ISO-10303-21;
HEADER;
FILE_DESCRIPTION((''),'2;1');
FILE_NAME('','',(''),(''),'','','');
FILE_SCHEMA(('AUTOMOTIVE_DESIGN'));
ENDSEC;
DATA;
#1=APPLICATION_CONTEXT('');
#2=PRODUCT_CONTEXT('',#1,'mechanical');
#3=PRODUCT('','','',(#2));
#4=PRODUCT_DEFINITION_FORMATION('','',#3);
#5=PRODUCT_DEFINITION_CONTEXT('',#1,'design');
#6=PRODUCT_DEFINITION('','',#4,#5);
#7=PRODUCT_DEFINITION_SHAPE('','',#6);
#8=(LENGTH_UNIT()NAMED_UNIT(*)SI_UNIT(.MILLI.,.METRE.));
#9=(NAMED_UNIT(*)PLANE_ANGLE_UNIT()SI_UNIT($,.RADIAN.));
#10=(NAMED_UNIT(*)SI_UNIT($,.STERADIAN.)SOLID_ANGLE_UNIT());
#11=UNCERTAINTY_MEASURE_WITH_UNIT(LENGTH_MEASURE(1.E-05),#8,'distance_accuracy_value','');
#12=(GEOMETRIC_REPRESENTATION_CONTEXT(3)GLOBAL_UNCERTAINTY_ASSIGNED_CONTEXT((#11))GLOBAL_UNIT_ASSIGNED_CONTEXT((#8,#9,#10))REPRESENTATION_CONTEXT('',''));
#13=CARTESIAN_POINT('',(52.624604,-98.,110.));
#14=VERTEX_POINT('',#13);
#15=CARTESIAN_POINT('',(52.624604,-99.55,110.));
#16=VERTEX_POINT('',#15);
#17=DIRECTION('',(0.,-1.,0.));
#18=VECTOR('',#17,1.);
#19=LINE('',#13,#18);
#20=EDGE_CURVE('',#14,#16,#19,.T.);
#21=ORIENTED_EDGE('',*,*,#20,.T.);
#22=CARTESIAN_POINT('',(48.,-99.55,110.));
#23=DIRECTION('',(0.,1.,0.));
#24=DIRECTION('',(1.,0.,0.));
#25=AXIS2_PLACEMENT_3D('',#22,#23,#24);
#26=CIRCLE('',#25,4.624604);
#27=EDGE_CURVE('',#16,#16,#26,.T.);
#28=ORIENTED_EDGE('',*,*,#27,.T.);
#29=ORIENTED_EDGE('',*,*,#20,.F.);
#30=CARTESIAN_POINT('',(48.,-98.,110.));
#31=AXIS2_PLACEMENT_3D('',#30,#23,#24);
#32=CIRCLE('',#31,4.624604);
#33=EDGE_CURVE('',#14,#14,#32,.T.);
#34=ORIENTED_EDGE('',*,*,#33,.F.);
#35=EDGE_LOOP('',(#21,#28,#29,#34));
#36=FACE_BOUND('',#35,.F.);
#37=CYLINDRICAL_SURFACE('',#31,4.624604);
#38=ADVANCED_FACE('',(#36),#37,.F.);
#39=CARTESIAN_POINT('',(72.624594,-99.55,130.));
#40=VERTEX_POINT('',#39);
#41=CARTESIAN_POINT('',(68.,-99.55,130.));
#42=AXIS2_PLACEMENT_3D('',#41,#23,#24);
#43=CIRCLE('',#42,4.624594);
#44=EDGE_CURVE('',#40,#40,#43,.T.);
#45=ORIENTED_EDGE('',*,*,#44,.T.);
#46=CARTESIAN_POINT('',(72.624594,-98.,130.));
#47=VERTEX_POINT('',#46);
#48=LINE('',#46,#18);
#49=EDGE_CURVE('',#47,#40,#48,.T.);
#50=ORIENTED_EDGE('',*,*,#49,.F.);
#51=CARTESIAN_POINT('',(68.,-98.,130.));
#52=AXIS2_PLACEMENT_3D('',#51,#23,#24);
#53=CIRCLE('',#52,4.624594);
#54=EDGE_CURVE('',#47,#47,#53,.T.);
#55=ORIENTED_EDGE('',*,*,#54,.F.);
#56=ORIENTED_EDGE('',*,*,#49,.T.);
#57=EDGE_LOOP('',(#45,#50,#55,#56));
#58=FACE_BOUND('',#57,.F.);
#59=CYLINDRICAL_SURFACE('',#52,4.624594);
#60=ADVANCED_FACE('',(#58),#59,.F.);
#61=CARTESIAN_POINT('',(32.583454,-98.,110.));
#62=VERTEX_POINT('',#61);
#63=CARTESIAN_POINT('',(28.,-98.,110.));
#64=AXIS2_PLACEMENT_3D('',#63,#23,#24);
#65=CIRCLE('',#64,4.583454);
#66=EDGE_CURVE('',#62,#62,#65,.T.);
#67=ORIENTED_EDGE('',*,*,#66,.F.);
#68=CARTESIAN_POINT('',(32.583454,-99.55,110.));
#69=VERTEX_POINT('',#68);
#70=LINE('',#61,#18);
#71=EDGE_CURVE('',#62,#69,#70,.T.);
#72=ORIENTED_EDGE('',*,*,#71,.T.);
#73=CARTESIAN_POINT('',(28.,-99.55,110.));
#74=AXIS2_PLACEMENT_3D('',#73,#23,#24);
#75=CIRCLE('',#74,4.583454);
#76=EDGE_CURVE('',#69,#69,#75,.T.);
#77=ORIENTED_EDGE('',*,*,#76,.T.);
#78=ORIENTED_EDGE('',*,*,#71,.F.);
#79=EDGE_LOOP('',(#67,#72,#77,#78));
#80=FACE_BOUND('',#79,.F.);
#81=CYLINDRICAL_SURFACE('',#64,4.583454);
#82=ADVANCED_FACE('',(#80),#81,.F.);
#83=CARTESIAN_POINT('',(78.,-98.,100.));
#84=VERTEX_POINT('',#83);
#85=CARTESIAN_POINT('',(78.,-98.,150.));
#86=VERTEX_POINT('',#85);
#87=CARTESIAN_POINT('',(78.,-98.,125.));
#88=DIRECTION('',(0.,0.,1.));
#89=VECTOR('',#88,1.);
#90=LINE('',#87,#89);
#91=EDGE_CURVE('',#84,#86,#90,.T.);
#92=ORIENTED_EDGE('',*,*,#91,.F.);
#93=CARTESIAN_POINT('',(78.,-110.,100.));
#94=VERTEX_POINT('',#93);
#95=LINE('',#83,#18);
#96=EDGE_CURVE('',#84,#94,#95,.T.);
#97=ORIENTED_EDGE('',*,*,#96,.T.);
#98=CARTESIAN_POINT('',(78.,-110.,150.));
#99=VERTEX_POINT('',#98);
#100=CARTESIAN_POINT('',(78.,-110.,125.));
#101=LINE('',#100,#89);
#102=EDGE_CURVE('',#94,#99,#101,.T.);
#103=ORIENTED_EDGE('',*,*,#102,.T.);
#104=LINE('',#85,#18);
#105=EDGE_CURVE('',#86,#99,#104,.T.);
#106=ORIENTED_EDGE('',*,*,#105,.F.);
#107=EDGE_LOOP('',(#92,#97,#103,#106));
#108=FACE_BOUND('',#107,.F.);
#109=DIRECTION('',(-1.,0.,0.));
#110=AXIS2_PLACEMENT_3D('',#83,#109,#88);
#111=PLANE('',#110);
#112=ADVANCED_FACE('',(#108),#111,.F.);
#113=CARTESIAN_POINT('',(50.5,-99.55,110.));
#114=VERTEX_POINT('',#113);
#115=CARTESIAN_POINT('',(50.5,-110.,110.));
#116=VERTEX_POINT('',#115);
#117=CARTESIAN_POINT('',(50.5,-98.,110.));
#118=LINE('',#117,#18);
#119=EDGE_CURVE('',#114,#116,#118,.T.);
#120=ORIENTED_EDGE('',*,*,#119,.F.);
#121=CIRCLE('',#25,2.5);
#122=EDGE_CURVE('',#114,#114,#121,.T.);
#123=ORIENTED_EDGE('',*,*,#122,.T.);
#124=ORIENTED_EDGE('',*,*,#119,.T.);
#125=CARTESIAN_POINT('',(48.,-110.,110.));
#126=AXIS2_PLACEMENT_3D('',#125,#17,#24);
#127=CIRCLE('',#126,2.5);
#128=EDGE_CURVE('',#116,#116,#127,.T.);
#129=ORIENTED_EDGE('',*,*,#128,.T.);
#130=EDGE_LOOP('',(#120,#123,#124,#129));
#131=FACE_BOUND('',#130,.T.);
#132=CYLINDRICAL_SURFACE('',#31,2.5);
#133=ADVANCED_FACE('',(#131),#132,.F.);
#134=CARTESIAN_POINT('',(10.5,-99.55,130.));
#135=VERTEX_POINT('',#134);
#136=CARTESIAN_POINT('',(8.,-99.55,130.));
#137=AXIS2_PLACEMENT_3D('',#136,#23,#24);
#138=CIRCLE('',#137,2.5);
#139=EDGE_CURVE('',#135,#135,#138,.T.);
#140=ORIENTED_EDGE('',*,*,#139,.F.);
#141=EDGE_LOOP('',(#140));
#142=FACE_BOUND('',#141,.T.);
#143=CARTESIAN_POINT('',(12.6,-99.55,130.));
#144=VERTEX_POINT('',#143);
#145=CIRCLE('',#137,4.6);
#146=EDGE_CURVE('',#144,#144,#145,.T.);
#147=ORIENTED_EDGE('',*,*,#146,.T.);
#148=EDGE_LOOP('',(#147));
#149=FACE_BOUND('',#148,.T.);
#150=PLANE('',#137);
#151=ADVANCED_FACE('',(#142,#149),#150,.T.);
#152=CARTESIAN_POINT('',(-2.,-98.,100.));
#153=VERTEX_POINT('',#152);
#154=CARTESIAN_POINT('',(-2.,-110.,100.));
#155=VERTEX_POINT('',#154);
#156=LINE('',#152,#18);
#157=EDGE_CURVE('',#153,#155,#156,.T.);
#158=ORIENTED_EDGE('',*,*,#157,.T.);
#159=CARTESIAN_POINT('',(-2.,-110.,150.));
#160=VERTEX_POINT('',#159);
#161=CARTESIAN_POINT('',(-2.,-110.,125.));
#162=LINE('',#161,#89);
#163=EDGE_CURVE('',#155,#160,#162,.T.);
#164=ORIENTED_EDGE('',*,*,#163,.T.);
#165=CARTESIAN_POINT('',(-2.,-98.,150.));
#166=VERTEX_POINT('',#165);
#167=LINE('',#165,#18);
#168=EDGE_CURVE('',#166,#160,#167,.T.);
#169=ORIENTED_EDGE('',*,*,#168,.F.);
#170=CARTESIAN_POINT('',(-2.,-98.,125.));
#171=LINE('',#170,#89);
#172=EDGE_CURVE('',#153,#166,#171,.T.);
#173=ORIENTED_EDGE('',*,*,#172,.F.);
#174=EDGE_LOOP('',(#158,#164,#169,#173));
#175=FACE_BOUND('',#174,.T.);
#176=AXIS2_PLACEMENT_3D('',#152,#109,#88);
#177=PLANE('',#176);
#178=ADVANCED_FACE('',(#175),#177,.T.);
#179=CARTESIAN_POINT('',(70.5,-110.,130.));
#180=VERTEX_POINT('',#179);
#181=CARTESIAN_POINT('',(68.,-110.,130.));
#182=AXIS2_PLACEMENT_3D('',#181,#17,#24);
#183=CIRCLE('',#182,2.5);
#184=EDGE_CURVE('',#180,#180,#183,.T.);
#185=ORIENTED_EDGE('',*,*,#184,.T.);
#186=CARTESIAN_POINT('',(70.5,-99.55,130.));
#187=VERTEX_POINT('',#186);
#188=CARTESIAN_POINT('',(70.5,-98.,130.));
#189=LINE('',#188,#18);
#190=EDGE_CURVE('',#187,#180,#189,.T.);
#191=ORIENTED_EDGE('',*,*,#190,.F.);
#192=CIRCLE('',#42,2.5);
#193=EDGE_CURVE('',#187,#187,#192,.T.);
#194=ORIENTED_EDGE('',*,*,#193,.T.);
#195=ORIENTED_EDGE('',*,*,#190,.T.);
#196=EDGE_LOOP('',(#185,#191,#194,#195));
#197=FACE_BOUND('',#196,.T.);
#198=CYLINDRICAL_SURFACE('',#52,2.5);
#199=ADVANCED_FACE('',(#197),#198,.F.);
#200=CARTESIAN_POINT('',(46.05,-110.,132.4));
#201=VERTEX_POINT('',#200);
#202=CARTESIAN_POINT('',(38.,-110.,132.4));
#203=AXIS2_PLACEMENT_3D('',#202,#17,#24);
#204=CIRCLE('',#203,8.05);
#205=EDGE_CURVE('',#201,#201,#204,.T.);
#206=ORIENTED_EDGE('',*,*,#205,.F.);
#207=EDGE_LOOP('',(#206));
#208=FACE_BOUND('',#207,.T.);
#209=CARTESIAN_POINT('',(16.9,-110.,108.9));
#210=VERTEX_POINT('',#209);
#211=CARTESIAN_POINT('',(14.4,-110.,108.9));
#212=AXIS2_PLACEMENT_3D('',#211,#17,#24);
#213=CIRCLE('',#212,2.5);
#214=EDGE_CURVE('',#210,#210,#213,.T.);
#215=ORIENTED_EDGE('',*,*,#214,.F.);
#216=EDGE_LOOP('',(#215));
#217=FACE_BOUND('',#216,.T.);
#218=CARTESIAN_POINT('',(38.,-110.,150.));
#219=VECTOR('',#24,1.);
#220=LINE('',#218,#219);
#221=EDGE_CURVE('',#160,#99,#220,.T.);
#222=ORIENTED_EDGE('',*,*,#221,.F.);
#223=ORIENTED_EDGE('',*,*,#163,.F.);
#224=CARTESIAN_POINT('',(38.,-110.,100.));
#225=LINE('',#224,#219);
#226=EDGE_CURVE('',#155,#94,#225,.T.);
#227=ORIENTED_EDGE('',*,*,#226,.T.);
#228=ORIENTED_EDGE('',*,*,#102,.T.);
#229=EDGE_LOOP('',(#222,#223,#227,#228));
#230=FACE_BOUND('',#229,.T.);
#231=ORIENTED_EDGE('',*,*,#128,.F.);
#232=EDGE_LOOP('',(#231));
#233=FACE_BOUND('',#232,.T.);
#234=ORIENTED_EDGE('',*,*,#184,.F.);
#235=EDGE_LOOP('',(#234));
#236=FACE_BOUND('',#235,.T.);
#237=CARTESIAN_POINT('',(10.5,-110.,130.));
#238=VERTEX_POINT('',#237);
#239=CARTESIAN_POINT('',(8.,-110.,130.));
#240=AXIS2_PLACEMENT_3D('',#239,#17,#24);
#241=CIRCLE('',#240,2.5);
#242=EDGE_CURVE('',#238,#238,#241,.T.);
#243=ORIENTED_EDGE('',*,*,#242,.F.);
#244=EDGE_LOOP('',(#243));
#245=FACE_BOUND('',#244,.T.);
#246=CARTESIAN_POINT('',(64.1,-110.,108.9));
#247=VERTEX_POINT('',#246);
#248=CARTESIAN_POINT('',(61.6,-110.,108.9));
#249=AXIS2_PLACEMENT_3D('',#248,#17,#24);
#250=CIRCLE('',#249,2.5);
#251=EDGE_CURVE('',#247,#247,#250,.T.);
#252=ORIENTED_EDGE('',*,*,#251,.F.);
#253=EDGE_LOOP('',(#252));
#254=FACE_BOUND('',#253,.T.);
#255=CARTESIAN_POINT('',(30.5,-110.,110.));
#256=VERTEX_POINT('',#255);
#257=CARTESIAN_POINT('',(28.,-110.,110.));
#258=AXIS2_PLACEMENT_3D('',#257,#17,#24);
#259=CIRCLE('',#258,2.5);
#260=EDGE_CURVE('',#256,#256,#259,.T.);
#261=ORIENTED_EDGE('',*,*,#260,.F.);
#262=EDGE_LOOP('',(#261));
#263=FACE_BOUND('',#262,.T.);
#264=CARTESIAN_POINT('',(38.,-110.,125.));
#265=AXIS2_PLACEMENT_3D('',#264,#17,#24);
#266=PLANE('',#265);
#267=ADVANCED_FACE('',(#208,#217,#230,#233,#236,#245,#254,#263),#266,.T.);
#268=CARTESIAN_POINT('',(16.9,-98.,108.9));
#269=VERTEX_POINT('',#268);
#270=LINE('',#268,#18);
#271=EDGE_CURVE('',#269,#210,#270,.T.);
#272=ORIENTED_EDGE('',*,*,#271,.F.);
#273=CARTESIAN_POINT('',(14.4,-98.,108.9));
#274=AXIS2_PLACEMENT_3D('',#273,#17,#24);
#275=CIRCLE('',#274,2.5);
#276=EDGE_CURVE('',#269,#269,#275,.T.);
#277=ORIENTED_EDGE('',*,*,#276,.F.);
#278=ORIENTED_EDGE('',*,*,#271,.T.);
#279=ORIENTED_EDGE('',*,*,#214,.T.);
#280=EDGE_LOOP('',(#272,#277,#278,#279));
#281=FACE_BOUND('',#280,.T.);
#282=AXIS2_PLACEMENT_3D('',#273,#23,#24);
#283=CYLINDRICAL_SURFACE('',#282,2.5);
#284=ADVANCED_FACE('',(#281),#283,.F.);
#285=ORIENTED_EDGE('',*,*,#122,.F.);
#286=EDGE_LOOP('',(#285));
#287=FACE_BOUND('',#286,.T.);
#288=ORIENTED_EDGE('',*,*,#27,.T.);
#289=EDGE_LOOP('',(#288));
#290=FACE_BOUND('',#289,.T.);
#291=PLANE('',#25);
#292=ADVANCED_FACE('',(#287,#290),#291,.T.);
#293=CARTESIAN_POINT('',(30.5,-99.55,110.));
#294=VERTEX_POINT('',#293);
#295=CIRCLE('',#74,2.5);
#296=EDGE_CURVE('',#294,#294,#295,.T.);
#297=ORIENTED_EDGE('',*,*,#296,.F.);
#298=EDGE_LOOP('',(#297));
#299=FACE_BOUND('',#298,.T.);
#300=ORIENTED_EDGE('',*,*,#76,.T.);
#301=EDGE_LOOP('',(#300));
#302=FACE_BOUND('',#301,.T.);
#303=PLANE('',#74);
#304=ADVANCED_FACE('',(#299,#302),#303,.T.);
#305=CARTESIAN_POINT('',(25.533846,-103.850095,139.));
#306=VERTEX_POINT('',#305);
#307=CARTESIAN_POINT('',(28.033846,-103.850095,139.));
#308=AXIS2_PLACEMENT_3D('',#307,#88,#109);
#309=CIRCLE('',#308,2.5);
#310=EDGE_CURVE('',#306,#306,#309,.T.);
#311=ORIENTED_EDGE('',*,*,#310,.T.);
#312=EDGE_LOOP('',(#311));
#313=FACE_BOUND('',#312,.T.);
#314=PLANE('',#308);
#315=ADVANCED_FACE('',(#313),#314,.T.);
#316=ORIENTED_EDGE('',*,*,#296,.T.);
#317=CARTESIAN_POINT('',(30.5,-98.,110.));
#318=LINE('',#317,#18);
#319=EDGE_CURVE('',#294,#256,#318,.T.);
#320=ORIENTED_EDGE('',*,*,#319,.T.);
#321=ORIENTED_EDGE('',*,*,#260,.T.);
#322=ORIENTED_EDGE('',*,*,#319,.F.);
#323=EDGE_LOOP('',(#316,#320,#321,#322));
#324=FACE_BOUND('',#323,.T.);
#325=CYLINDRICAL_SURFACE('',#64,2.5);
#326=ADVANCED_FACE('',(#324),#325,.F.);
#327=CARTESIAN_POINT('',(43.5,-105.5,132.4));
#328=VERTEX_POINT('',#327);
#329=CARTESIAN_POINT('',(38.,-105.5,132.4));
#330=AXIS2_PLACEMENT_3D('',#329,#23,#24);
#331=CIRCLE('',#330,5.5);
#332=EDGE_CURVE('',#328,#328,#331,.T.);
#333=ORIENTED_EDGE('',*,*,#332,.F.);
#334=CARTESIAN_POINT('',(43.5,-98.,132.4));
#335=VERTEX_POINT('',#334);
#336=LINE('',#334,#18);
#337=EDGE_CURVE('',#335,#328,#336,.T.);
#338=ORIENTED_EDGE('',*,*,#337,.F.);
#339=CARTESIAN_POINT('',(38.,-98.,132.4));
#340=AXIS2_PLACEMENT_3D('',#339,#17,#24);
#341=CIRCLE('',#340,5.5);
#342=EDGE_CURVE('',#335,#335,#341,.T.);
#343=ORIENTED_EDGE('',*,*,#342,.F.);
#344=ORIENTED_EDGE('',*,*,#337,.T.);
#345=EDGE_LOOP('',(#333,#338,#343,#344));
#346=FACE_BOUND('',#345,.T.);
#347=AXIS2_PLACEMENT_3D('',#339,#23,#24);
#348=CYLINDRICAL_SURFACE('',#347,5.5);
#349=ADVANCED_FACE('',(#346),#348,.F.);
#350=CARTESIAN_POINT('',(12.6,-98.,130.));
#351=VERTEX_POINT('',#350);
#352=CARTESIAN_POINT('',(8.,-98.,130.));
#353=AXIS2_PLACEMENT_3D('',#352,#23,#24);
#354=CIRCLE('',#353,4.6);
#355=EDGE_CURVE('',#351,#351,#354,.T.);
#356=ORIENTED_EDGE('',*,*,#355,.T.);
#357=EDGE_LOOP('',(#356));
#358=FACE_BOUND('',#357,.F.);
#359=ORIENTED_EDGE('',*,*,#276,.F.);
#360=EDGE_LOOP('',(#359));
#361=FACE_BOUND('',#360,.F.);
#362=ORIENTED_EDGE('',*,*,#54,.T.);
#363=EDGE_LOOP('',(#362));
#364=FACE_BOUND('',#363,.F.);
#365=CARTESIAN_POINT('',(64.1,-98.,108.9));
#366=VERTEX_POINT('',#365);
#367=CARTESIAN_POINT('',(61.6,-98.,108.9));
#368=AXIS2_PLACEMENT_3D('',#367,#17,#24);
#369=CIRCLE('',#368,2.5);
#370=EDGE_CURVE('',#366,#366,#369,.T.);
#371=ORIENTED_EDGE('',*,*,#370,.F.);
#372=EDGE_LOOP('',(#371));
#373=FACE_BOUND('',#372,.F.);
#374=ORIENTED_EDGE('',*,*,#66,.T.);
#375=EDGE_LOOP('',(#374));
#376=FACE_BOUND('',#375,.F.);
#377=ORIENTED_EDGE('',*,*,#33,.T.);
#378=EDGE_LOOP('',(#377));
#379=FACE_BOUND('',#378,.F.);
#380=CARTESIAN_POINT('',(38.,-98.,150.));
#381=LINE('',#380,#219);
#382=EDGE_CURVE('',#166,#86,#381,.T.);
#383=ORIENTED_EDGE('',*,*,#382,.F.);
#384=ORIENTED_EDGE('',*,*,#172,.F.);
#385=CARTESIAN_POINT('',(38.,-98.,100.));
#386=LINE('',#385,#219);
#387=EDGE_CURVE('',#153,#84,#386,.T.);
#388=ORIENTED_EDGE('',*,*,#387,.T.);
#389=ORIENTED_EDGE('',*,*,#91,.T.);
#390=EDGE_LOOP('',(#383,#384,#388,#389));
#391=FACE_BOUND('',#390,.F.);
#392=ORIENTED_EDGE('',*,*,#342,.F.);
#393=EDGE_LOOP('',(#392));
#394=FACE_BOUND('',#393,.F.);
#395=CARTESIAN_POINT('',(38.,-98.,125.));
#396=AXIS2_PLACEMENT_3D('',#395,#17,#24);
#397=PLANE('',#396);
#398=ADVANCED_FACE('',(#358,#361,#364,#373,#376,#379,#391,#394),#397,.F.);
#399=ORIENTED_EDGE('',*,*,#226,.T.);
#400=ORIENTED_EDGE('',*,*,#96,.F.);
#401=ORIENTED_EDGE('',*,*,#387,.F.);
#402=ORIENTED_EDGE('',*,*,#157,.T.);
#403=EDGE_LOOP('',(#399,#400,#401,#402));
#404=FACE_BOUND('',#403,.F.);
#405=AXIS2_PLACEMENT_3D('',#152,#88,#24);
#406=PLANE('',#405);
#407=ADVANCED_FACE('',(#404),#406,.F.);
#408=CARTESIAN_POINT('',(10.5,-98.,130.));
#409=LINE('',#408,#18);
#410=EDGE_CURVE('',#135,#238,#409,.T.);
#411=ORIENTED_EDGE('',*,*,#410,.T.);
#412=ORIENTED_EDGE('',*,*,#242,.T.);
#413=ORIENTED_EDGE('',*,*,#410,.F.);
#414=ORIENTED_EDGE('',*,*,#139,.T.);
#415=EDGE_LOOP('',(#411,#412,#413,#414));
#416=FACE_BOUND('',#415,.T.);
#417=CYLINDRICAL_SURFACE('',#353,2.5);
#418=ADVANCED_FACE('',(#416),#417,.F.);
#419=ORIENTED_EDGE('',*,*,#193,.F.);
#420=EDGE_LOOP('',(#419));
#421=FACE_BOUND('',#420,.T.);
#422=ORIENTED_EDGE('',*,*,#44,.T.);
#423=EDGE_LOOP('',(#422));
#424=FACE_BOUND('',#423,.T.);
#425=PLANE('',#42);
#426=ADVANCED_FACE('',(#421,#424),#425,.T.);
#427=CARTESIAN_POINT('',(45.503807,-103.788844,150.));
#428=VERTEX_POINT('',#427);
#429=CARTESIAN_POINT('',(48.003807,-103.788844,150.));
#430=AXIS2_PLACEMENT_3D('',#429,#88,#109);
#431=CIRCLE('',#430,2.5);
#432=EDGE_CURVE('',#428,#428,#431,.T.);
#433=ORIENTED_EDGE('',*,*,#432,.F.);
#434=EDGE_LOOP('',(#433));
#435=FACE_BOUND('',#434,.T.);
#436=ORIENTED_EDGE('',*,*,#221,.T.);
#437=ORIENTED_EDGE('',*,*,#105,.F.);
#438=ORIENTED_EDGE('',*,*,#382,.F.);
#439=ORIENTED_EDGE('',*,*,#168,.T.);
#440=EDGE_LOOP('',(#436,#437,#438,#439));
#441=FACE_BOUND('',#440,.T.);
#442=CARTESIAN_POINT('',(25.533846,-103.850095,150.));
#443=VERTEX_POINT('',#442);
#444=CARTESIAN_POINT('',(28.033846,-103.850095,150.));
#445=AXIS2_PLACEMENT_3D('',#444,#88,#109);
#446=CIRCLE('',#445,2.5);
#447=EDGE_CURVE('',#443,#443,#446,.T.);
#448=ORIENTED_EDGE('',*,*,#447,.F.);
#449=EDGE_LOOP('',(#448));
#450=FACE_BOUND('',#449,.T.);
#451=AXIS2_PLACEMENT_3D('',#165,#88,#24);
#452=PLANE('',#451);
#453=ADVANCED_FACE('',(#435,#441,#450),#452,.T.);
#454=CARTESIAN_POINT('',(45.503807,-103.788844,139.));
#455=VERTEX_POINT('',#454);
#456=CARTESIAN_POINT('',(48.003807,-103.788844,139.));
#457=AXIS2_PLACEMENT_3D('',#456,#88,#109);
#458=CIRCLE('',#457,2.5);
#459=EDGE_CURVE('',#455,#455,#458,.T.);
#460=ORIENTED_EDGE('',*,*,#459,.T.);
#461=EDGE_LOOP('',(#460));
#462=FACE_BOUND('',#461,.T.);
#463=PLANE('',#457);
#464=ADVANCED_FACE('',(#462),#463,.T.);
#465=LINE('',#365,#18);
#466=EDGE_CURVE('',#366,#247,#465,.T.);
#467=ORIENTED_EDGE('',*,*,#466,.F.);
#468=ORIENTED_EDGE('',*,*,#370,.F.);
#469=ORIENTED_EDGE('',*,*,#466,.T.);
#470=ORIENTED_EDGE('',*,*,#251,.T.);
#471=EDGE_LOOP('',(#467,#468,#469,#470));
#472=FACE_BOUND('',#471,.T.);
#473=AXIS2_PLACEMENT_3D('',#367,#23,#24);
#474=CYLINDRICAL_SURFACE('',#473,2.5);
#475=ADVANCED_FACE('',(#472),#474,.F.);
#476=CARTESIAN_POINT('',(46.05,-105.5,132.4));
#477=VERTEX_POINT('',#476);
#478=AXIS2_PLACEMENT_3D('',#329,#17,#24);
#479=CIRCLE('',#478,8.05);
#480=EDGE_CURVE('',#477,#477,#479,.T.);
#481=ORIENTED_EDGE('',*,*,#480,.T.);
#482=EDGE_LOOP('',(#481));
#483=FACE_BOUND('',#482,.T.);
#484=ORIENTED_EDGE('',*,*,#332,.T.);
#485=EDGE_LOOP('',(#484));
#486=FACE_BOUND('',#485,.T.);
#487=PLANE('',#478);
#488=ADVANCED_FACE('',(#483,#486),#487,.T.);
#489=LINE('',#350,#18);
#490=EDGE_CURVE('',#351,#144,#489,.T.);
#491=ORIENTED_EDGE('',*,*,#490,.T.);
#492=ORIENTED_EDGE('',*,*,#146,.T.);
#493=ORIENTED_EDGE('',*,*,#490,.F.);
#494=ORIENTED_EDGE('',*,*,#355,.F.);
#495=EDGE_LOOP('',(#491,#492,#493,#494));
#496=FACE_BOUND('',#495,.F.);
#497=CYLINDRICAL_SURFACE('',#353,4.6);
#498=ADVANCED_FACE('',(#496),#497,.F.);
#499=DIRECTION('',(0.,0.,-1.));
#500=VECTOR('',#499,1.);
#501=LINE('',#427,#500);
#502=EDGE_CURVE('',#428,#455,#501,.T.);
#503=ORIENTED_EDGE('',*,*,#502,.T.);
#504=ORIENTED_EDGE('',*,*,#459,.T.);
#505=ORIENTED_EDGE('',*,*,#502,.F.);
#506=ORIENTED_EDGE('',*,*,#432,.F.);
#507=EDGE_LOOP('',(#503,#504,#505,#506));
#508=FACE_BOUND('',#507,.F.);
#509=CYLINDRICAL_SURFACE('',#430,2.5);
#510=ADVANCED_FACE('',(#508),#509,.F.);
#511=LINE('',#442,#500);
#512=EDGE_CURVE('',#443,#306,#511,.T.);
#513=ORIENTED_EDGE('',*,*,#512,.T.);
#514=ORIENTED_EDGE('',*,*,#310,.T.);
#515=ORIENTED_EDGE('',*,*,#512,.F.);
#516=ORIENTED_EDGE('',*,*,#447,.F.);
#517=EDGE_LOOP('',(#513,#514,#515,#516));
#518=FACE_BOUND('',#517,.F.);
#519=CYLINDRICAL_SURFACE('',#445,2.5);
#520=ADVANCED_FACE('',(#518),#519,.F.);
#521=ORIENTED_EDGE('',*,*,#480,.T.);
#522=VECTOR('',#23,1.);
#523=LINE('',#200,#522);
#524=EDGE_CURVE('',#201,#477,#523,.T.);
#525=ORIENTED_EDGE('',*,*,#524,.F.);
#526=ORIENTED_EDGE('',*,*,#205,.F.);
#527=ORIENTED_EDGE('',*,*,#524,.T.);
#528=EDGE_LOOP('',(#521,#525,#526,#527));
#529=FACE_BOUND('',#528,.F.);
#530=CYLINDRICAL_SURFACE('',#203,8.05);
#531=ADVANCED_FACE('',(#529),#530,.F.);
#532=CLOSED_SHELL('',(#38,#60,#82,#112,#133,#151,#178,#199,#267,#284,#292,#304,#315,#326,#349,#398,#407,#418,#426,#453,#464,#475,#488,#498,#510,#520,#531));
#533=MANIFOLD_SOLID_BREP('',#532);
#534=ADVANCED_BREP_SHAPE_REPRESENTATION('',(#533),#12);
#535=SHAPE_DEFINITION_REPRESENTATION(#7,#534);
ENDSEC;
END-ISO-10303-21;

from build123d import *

# Parameters (mm, degrees)
SKETCH023_W     = 80
SKETCH023_H     = 50
SKETCH023_R     = 2.5
SKETCH023_R_2   = 5.5
PAD005_DEPTH    = 12
SKETCH024_R     = 2.5
POCKET015_DEPTH = 11
SKETCH025_R     = 8.05
POCKET016_DEPTH = 4.5
SKETCH026_R     = 4.6
SKETCH026_R_2   = 4.624594
SKETCH026_R_3   = 4.583454
SKETCH026_R_4   = 4.624604
POCKET017_DEPTH = 1.55


with BuildPart() as part:
    # Sketch023 → Pad005 (new body)
    with BuildSketch(Plane(origin=(-2, -98, 100), x_dir=(1, 0, 0), z_dir=(0, -1, 0))):
        with Locations((40, 25)):
            Rectangle(SKETCH023_W, SKETCH023_H)
        with Locations((10, 30)):
            Circle(SKETCH023_R, mode=Mode.SUBTRACT)
        with Locations((30, 10)):
            Circle(SKETCH023_R, mode=Mode.SUBTRACT)
        with Locations((16.4, 8.9)):
            Circle(SKETCH023_R, mode=Mode.SUBTRACT)
        with Locations((50, 10)):
            Circle(SKETCH023_R, mode=Mode.SUBTRACT)
        with Locations((63.6, 8.9)):
            Circle(SKETCH023_R, mode=Mode.SUBTRACT)
        with Locations((70, 30)):
            Circle(SKETCH023_R, mode=Mode.SUBTRACT)
        with Locations((40, 32.4)):
            Circle(SKETCH023_R_2, mode=Mode.SUBTRACT)
    extrude(amount=PAD005_DEPTH)

    # Sketch024 → Pocket015 (cut)
    with BuildSketch(Plane(origin=(-2, -98, 150), x_dir=(-1, 0, 0), z_dir=(0, 0, 1))):
        with Locations((-30.033846, 5.850095)):
            Circle(SKETCH024_R)
        with Locations((-50.003807, 5.788844)):
            Circle(SKETCH024_R)
    extrude(amount=-POCKET015_DEPTH, mode=Mode.SUBTRACT)

    # Sketch025 → Pocket016 (cut)
    with BuildSketch(Plane(origin=(-2, -110, 100), x_dir=(1, 0, 0), z_dir=(0, -1, 0))):
        with Locations((40, 32.4)):
            Circle(SKETCH025_R)
    extrude(amount=-POCKET016_DEPTH, mode=Mode.SUBTRACT)

    # Sketch026 → Pocket017 (cut)
    with BuildSketch(Plane(origin=(-2, -98, 100), x_dir=(1, 0, 0), z_dir=(0, 1, 0))):
        with Locations((10, -30)):
            Circle(SKETCH026_R)
        with Locations((70, -30)):
            Circle(SKETCH026_R_2)
        with Locations((30, -10)):
            Circle(SKETCH026_R_3)
        with Locations((50, -10)):
            Circle(SKETCH026_R_4)
    extrude(amount=-POCKET017_DEPTH, mode=Mode.SUBTRACT)


solid = part.part
